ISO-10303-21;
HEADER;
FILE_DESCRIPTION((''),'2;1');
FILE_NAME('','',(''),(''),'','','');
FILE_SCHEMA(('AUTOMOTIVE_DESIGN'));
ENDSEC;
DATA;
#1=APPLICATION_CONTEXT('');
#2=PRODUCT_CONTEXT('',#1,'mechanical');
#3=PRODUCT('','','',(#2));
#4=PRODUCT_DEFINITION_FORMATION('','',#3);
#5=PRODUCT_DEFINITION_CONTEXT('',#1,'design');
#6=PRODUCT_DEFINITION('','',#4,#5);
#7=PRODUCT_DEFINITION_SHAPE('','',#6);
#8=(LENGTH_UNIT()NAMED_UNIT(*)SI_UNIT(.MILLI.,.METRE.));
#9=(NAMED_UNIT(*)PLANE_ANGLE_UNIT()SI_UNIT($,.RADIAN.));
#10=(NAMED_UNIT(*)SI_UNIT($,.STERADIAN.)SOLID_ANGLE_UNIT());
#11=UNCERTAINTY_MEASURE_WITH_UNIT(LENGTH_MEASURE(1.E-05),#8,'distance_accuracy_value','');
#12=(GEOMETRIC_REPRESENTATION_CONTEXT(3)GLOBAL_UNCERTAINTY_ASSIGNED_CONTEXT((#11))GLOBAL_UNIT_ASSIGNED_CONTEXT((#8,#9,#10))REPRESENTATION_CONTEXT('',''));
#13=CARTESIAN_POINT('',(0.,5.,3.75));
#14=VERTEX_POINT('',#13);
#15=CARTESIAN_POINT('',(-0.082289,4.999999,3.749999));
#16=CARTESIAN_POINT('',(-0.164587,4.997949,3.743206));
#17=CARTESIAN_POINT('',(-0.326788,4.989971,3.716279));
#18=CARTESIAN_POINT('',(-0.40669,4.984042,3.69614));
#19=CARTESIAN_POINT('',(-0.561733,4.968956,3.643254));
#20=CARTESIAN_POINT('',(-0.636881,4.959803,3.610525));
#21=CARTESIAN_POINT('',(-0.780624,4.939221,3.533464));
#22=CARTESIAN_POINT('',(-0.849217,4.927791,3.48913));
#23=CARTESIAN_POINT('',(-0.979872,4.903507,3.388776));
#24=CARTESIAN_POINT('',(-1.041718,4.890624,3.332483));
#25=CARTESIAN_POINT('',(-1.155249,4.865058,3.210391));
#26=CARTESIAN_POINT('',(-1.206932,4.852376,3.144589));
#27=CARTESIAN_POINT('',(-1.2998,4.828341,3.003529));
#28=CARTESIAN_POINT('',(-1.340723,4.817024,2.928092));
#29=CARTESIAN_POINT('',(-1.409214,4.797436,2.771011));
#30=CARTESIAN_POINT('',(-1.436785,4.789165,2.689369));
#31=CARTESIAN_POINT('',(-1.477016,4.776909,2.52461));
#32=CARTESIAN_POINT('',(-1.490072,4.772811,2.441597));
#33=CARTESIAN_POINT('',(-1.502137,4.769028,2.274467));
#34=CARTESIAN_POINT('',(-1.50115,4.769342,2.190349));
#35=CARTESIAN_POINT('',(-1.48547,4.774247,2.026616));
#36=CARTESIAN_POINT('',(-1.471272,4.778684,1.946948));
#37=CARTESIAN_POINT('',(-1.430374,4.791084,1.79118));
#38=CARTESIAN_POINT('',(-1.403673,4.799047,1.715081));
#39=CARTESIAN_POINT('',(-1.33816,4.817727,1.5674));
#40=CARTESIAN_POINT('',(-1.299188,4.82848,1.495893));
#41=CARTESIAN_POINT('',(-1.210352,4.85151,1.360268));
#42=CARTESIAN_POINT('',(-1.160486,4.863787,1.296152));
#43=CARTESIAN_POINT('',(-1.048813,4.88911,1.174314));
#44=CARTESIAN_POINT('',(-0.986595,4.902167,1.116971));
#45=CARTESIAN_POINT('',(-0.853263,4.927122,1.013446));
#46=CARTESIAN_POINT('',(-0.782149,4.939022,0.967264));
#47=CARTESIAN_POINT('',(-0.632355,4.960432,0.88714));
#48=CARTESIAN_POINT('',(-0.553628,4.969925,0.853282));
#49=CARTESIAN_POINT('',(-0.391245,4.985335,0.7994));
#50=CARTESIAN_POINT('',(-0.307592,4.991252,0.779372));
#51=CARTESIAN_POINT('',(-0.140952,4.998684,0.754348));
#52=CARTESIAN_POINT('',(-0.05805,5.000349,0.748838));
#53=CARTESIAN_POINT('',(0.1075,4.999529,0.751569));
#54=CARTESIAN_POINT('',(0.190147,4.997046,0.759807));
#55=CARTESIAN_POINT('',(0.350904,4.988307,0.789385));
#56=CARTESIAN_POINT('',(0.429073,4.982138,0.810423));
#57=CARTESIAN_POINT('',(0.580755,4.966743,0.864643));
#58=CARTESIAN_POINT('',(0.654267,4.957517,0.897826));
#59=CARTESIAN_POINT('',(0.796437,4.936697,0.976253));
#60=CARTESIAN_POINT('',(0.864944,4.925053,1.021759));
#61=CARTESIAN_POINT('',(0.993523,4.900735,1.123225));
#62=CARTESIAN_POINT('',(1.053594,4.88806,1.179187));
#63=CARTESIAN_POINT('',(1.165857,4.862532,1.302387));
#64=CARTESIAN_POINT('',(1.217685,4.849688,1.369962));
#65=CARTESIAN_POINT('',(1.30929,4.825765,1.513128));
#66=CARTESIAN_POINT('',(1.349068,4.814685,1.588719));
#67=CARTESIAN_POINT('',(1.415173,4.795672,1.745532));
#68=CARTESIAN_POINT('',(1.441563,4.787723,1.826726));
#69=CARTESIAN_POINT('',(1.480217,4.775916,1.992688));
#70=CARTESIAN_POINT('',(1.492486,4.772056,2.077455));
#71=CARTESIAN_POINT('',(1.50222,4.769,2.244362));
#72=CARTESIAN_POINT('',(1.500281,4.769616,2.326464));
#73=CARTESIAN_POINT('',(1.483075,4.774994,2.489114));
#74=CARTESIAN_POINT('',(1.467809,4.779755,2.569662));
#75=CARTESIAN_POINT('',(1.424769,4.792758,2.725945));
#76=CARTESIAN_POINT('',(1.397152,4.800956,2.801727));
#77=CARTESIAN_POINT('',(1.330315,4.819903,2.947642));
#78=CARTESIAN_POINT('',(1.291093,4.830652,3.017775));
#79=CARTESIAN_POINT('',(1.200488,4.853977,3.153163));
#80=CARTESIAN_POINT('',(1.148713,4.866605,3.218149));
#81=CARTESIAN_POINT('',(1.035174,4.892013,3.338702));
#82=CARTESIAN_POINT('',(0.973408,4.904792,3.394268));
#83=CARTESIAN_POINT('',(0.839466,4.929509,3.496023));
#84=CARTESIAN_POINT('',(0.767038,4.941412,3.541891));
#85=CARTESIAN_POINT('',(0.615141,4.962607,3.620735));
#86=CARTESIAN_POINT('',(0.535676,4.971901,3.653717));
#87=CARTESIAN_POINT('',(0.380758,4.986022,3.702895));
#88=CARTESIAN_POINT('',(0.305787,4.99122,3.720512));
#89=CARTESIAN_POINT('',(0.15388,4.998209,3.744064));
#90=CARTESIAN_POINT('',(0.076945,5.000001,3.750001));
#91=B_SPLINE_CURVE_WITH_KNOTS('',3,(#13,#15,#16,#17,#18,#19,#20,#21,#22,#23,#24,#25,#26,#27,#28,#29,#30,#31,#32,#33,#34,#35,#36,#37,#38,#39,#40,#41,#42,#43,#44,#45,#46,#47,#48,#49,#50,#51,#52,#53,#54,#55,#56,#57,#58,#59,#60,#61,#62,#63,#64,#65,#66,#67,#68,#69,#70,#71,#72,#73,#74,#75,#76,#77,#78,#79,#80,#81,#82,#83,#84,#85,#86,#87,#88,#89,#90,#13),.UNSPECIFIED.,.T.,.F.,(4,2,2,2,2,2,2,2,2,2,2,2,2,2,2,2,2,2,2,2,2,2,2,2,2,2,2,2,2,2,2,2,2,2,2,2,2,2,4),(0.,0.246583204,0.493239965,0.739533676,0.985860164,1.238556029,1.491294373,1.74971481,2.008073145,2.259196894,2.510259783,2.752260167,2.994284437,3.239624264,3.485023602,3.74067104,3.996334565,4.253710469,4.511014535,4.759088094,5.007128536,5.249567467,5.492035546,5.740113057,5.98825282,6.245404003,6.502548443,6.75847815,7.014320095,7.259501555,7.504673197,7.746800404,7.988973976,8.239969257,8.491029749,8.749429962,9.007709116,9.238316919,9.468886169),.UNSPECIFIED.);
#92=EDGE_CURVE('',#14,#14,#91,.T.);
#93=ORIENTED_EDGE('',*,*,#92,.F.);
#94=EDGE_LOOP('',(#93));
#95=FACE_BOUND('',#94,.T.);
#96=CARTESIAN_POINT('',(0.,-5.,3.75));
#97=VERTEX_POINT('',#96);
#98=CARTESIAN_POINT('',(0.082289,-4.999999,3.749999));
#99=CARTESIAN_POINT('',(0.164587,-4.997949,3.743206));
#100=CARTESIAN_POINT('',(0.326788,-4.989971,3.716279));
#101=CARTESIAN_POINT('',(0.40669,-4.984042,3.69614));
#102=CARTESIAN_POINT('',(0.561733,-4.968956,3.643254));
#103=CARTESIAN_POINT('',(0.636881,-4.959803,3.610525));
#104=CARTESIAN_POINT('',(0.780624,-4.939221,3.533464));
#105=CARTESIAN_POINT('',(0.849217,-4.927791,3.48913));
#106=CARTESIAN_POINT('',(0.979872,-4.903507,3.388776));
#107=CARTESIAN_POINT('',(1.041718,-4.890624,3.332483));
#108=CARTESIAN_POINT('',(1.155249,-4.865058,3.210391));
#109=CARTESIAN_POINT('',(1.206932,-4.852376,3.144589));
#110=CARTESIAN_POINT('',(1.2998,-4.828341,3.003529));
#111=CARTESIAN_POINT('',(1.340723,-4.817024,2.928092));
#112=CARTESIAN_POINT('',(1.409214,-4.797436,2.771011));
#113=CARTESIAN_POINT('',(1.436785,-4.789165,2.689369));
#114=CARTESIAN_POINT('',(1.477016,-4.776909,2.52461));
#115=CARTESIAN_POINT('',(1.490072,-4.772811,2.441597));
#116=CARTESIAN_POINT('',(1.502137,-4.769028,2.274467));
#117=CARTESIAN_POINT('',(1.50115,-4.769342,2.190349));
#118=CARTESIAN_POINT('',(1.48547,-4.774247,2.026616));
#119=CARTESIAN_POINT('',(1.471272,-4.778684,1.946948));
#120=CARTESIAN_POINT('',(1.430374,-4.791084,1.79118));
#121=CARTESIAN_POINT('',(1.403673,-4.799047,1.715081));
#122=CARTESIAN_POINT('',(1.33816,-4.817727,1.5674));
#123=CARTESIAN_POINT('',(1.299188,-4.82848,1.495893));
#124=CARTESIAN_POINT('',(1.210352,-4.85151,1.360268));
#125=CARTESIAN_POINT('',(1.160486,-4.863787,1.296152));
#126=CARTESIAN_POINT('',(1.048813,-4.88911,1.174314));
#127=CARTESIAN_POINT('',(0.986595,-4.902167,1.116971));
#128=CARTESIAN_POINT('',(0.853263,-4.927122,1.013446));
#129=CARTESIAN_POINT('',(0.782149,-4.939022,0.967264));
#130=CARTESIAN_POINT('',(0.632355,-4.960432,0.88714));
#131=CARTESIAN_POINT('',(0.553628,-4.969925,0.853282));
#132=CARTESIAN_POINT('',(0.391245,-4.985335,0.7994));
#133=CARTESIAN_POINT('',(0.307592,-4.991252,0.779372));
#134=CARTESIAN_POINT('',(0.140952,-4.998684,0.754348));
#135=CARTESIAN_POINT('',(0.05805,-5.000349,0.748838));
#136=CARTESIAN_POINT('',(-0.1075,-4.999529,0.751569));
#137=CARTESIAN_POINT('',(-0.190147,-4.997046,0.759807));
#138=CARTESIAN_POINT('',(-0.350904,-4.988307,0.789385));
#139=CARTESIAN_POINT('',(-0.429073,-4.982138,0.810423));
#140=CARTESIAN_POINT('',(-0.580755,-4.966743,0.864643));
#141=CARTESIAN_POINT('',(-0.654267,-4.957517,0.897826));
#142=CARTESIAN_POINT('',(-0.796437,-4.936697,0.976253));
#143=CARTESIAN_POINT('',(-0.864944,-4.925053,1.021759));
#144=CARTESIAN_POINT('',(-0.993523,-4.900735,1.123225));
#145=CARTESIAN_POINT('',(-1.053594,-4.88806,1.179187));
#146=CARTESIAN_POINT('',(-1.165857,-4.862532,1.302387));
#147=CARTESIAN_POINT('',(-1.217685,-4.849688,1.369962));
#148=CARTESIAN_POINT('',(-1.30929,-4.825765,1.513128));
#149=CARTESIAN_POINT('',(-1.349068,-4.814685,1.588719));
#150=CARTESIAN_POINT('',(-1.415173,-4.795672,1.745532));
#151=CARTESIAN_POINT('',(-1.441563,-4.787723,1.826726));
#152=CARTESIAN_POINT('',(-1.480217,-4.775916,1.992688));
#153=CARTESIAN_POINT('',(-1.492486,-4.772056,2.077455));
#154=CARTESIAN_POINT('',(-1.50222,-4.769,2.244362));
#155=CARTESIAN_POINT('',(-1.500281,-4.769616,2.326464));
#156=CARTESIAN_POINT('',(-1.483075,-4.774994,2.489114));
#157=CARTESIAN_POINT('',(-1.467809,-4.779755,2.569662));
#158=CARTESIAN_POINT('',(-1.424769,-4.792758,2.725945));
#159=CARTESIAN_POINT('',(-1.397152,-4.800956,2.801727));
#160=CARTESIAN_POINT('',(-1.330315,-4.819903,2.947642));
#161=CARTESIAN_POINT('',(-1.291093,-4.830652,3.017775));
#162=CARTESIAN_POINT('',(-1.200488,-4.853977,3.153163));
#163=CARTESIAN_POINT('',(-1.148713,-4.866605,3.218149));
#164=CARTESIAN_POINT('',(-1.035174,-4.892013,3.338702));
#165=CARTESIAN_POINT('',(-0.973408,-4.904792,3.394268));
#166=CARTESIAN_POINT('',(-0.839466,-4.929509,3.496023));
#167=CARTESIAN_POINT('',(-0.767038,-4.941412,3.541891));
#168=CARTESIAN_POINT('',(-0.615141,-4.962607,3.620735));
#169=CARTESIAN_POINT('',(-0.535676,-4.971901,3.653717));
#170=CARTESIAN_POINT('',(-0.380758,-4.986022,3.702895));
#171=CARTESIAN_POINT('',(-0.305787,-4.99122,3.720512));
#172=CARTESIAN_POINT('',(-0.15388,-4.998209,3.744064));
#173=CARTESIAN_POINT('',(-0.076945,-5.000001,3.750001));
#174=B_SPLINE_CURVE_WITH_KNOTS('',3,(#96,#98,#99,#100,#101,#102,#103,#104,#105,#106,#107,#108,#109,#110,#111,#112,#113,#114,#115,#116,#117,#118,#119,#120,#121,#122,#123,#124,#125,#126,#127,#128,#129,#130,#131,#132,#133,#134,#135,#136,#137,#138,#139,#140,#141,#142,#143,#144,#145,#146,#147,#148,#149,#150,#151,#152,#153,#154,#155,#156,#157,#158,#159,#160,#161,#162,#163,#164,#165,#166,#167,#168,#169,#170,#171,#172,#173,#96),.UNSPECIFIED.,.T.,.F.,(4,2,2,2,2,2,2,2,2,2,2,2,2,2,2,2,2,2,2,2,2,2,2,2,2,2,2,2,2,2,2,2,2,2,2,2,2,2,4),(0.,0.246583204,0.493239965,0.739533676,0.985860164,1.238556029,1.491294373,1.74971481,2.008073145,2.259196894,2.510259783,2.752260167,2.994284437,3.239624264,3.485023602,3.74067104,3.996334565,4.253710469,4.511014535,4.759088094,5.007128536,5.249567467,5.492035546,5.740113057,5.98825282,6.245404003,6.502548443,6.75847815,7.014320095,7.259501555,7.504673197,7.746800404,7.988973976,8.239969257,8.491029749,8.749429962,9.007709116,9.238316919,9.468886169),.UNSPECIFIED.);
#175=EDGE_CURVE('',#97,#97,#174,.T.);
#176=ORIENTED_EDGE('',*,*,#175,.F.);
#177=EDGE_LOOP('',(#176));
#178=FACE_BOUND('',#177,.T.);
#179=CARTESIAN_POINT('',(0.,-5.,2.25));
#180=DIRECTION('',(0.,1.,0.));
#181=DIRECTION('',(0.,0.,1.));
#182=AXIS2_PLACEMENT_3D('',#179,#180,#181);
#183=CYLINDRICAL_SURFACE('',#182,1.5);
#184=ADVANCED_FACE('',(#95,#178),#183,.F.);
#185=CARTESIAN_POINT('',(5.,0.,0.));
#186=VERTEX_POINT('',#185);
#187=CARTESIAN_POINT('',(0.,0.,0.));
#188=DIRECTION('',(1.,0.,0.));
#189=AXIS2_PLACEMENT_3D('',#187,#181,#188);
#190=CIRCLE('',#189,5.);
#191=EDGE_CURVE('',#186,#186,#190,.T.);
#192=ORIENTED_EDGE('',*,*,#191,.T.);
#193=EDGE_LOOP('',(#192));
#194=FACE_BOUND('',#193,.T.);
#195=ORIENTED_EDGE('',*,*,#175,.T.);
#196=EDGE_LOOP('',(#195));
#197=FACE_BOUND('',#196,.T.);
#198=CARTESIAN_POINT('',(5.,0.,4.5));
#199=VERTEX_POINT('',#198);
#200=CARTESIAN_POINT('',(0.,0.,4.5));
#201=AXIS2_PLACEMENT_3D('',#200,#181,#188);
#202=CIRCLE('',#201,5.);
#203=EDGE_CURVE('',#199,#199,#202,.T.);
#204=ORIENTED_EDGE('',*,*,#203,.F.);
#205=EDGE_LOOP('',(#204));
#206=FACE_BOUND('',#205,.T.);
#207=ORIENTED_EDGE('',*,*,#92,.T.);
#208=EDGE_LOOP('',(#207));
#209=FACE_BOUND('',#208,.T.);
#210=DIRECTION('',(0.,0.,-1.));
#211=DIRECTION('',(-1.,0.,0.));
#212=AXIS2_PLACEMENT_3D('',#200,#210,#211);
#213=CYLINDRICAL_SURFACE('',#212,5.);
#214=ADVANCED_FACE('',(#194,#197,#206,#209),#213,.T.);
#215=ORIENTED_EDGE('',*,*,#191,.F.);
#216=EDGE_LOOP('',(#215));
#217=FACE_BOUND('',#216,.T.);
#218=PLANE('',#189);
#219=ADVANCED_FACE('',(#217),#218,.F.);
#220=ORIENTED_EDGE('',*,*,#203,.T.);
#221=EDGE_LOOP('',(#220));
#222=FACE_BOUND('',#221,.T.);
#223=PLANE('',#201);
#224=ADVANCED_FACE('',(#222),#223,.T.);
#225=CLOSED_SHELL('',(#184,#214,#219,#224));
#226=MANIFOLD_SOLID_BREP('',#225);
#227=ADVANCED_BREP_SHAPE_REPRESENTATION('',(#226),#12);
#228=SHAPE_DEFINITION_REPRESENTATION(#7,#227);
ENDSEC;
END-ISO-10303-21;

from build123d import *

# Parameters (mm, degrees)
SKETCH_1_R          = 5
EXTRUDE_1_DEPTH     = 4.5
SKETCH_2_R          = 1.5
CUT_EXTRUDE_1_DEPTH = 5


with BuildPart() as part:
    # 草图1 → 凸台-拉伸1 (new body)
    with BuildSketch(Plane.XY):
        Circle(SKETCH_1_R)
    extrude(amount=EXTRUDE_1_DEPTH)

    # 草图2 → 切除-拉伸1 (cut, symmetric)
    with BuildSketch(Plane(origin=(0, 0, 0), x_dir=(1, 0, 0), z_dir=(0, 1, 0))):
        with Locations(Location((0, -2.25, 0), (0, 0, 270))):
            Circle(SKETCH_2_R)
    extrude(amount=CUT_EXTRUDE_1_DEPTH, both=True, mode=Mode.SUBTRACT)


solid = part.part
